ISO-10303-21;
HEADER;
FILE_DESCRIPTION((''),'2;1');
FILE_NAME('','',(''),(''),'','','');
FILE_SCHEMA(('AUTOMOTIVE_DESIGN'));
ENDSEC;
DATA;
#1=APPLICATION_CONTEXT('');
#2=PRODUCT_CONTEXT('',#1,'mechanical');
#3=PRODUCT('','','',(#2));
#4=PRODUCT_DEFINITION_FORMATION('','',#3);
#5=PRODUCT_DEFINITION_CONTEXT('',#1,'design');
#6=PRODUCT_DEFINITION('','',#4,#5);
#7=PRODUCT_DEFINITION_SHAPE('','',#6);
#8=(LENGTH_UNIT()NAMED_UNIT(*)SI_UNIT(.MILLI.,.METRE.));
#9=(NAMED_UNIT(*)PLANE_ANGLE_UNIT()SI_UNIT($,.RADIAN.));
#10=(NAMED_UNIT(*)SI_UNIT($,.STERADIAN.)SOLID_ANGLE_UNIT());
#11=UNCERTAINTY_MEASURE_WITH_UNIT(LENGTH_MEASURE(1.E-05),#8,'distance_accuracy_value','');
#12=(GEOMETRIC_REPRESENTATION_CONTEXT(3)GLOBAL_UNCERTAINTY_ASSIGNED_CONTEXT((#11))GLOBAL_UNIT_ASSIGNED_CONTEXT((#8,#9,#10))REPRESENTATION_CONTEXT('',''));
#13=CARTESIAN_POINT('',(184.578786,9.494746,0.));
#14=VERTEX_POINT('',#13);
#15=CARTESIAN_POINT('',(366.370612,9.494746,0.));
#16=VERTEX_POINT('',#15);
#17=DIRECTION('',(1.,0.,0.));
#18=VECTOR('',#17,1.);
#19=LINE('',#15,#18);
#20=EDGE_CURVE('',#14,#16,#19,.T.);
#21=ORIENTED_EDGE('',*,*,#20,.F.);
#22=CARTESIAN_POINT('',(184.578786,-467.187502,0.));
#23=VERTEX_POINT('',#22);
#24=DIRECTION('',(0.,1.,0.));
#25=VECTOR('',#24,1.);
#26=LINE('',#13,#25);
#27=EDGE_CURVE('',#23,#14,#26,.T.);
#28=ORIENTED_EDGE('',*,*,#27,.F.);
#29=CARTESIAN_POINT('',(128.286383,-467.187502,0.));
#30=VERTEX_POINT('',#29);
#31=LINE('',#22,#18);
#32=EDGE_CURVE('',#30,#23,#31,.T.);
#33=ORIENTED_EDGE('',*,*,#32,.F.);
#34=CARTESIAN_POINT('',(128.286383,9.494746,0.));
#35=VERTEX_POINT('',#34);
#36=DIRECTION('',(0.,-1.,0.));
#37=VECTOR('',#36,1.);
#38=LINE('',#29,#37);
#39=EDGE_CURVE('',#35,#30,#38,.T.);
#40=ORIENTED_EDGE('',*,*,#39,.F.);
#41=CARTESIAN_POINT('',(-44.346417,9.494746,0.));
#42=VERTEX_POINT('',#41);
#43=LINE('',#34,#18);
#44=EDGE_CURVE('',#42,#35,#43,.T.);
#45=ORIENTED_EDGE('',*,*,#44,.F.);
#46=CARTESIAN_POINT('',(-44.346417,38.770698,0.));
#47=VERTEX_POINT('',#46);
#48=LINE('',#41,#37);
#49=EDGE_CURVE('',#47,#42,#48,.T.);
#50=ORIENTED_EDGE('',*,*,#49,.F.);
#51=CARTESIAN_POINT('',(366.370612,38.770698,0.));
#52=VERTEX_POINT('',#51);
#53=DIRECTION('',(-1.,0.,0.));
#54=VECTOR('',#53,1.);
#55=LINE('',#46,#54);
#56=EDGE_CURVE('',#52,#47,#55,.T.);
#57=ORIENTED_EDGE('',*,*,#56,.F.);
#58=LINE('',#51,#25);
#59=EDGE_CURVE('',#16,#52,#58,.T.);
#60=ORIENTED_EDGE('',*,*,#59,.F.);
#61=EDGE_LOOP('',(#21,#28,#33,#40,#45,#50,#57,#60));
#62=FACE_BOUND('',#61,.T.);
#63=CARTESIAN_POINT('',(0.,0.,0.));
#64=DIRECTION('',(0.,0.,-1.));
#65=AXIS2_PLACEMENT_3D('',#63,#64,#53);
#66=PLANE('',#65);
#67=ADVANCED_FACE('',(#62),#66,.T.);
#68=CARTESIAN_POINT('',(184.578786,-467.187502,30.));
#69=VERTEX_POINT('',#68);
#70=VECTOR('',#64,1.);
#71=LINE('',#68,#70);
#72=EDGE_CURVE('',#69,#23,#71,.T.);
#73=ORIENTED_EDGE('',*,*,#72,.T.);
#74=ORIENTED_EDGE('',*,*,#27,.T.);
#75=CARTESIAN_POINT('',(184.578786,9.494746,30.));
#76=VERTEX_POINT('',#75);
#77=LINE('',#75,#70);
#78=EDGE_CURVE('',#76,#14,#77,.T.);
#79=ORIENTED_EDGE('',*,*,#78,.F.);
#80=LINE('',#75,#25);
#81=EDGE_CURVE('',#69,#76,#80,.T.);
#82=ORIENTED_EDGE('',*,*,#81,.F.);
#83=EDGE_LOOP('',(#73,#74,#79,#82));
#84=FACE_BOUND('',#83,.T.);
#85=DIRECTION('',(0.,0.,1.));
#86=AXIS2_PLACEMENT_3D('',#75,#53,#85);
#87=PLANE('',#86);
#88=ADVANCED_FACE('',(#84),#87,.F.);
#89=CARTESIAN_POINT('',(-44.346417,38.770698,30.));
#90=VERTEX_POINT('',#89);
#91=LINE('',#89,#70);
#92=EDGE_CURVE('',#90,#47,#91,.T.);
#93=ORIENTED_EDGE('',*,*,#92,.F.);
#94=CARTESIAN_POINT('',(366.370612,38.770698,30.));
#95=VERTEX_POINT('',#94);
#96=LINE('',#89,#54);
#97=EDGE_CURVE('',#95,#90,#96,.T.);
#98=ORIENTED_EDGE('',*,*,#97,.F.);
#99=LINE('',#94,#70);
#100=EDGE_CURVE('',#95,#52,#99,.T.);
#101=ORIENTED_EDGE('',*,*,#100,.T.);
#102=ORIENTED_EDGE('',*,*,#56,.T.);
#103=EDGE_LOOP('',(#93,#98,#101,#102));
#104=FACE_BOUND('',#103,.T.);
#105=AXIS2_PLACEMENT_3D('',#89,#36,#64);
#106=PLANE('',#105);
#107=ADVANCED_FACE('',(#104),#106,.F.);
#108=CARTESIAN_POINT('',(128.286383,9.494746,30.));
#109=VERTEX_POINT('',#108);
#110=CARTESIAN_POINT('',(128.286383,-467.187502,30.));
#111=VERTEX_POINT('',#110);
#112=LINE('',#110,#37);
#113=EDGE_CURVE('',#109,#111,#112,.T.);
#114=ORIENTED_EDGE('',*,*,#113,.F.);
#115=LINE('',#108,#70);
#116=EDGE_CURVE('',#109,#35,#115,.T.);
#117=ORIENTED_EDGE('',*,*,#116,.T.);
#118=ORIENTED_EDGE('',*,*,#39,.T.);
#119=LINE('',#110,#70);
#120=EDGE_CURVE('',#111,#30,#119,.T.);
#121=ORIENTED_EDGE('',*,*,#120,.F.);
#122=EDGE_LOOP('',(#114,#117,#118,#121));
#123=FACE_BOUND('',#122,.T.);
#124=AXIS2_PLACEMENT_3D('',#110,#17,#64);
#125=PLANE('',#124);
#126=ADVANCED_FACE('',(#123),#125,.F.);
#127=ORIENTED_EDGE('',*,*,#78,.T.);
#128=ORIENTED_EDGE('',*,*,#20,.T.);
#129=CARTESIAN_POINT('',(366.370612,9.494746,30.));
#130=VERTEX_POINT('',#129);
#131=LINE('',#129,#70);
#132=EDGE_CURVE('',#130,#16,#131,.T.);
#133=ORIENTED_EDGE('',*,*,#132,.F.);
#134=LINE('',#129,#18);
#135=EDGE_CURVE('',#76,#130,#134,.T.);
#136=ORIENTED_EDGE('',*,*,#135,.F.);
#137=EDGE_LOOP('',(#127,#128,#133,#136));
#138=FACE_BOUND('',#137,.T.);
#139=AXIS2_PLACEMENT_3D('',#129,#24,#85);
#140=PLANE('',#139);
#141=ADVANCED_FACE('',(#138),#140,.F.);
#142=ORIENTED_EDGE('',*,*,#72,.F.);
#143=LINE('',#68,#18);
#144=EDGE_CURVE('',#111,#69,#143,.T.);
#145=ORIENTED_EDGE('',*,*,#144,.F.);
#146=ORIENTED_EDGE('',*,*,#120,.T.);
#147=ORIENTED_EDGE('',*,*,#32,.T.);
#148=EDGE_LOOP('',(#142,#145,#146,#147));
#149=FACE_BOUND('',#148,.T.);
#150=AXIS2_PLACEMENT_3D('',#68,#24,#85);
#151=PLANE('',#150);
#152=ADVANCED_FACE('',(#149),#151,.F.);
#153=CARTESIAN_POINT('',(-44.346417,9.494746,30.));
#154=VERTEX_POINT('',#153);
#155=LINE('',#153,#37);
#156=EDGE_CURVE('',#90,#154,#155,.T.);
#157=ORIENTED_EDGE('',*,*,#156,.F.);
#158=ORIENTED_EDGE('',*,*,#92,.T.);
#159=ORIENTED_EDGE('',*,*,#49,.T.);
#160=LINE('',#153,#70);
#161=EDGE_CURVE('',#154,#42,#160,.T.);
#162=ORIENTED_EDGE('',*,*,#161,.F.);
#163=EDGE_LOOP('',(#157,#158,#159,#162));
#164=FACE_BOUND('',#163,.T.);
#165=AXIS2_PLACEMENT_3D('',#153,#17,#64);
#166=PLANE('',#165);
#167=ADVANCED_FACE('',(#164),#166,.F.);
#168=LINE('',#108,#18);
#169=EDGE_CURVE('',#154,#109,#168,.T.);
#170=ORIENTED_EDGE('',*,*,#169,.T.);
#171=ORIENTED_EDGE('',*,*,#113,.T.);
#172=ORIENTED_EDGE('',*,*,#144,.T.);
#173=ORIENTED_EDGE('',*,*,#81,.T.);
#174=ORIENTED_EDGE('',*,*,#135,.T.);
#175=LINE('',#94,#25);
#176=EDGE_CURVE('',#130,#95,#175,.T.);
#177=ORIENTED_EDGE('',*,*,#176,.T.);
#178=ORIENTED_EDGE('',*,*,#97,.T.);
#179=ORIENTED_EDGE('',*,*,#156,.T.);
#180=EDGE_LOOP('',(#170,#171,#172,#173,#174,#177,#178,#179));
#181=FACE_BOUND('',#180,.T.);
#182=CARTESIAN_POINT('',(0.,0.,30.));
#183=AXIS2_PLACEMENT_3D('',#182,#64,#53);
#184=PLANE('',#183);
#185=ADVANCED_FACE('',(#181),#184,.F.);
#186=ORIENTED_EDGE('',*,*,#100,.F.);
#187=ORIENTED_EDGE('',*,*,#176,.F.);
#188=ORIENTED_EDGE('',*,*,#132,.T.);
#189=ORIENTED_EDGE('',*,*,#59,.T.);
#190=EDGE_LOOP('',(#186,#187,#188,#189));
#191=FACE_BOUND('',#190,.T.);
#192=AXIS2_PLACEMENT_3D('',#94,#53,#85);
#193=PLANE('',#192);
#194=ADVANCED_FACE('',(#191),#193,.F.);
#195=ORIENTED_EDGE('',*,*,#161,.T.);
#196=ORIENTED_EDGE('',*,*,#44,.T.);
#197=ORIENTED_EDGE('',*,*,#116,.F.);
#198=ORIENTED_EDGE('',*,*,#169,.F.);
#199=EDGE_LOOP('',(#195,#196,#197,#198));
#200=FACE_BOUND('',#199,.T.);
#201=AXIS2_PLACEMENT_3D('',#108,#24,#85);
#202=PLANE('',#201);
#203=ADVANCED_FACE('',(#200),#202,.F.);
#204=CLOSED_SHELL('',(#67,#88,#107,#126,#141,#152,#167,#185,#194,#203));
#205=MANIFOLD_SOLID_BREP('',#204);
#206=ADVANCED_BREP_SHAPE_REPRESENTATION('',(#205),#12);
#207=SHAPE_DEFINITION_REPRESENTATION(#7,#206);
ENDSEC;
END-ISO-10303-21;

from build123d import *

# Parameters (mm, degrees)
EXTRUDE_1_DEPTH = 30


with BuildPart() as part:
    # Эскиз1 → Бобышка-Вытянуть1 (new body)
    with BuildSketch(Plane.XY):
        Polygon((-44.346416653, 38.770697601), (366.370611576, 38.770697601), (366.370611576, 9.494745928), (184.578786154, 9.494745928), (184.578786154, -467.187502005), (128.286382873, -467.187502005), (128.286382873, 9.494745928), (-44.346416653, 9.494745928), align=None)
    extrude(amount=EXTRUDE_1_DEPTH)


solid = part.part
